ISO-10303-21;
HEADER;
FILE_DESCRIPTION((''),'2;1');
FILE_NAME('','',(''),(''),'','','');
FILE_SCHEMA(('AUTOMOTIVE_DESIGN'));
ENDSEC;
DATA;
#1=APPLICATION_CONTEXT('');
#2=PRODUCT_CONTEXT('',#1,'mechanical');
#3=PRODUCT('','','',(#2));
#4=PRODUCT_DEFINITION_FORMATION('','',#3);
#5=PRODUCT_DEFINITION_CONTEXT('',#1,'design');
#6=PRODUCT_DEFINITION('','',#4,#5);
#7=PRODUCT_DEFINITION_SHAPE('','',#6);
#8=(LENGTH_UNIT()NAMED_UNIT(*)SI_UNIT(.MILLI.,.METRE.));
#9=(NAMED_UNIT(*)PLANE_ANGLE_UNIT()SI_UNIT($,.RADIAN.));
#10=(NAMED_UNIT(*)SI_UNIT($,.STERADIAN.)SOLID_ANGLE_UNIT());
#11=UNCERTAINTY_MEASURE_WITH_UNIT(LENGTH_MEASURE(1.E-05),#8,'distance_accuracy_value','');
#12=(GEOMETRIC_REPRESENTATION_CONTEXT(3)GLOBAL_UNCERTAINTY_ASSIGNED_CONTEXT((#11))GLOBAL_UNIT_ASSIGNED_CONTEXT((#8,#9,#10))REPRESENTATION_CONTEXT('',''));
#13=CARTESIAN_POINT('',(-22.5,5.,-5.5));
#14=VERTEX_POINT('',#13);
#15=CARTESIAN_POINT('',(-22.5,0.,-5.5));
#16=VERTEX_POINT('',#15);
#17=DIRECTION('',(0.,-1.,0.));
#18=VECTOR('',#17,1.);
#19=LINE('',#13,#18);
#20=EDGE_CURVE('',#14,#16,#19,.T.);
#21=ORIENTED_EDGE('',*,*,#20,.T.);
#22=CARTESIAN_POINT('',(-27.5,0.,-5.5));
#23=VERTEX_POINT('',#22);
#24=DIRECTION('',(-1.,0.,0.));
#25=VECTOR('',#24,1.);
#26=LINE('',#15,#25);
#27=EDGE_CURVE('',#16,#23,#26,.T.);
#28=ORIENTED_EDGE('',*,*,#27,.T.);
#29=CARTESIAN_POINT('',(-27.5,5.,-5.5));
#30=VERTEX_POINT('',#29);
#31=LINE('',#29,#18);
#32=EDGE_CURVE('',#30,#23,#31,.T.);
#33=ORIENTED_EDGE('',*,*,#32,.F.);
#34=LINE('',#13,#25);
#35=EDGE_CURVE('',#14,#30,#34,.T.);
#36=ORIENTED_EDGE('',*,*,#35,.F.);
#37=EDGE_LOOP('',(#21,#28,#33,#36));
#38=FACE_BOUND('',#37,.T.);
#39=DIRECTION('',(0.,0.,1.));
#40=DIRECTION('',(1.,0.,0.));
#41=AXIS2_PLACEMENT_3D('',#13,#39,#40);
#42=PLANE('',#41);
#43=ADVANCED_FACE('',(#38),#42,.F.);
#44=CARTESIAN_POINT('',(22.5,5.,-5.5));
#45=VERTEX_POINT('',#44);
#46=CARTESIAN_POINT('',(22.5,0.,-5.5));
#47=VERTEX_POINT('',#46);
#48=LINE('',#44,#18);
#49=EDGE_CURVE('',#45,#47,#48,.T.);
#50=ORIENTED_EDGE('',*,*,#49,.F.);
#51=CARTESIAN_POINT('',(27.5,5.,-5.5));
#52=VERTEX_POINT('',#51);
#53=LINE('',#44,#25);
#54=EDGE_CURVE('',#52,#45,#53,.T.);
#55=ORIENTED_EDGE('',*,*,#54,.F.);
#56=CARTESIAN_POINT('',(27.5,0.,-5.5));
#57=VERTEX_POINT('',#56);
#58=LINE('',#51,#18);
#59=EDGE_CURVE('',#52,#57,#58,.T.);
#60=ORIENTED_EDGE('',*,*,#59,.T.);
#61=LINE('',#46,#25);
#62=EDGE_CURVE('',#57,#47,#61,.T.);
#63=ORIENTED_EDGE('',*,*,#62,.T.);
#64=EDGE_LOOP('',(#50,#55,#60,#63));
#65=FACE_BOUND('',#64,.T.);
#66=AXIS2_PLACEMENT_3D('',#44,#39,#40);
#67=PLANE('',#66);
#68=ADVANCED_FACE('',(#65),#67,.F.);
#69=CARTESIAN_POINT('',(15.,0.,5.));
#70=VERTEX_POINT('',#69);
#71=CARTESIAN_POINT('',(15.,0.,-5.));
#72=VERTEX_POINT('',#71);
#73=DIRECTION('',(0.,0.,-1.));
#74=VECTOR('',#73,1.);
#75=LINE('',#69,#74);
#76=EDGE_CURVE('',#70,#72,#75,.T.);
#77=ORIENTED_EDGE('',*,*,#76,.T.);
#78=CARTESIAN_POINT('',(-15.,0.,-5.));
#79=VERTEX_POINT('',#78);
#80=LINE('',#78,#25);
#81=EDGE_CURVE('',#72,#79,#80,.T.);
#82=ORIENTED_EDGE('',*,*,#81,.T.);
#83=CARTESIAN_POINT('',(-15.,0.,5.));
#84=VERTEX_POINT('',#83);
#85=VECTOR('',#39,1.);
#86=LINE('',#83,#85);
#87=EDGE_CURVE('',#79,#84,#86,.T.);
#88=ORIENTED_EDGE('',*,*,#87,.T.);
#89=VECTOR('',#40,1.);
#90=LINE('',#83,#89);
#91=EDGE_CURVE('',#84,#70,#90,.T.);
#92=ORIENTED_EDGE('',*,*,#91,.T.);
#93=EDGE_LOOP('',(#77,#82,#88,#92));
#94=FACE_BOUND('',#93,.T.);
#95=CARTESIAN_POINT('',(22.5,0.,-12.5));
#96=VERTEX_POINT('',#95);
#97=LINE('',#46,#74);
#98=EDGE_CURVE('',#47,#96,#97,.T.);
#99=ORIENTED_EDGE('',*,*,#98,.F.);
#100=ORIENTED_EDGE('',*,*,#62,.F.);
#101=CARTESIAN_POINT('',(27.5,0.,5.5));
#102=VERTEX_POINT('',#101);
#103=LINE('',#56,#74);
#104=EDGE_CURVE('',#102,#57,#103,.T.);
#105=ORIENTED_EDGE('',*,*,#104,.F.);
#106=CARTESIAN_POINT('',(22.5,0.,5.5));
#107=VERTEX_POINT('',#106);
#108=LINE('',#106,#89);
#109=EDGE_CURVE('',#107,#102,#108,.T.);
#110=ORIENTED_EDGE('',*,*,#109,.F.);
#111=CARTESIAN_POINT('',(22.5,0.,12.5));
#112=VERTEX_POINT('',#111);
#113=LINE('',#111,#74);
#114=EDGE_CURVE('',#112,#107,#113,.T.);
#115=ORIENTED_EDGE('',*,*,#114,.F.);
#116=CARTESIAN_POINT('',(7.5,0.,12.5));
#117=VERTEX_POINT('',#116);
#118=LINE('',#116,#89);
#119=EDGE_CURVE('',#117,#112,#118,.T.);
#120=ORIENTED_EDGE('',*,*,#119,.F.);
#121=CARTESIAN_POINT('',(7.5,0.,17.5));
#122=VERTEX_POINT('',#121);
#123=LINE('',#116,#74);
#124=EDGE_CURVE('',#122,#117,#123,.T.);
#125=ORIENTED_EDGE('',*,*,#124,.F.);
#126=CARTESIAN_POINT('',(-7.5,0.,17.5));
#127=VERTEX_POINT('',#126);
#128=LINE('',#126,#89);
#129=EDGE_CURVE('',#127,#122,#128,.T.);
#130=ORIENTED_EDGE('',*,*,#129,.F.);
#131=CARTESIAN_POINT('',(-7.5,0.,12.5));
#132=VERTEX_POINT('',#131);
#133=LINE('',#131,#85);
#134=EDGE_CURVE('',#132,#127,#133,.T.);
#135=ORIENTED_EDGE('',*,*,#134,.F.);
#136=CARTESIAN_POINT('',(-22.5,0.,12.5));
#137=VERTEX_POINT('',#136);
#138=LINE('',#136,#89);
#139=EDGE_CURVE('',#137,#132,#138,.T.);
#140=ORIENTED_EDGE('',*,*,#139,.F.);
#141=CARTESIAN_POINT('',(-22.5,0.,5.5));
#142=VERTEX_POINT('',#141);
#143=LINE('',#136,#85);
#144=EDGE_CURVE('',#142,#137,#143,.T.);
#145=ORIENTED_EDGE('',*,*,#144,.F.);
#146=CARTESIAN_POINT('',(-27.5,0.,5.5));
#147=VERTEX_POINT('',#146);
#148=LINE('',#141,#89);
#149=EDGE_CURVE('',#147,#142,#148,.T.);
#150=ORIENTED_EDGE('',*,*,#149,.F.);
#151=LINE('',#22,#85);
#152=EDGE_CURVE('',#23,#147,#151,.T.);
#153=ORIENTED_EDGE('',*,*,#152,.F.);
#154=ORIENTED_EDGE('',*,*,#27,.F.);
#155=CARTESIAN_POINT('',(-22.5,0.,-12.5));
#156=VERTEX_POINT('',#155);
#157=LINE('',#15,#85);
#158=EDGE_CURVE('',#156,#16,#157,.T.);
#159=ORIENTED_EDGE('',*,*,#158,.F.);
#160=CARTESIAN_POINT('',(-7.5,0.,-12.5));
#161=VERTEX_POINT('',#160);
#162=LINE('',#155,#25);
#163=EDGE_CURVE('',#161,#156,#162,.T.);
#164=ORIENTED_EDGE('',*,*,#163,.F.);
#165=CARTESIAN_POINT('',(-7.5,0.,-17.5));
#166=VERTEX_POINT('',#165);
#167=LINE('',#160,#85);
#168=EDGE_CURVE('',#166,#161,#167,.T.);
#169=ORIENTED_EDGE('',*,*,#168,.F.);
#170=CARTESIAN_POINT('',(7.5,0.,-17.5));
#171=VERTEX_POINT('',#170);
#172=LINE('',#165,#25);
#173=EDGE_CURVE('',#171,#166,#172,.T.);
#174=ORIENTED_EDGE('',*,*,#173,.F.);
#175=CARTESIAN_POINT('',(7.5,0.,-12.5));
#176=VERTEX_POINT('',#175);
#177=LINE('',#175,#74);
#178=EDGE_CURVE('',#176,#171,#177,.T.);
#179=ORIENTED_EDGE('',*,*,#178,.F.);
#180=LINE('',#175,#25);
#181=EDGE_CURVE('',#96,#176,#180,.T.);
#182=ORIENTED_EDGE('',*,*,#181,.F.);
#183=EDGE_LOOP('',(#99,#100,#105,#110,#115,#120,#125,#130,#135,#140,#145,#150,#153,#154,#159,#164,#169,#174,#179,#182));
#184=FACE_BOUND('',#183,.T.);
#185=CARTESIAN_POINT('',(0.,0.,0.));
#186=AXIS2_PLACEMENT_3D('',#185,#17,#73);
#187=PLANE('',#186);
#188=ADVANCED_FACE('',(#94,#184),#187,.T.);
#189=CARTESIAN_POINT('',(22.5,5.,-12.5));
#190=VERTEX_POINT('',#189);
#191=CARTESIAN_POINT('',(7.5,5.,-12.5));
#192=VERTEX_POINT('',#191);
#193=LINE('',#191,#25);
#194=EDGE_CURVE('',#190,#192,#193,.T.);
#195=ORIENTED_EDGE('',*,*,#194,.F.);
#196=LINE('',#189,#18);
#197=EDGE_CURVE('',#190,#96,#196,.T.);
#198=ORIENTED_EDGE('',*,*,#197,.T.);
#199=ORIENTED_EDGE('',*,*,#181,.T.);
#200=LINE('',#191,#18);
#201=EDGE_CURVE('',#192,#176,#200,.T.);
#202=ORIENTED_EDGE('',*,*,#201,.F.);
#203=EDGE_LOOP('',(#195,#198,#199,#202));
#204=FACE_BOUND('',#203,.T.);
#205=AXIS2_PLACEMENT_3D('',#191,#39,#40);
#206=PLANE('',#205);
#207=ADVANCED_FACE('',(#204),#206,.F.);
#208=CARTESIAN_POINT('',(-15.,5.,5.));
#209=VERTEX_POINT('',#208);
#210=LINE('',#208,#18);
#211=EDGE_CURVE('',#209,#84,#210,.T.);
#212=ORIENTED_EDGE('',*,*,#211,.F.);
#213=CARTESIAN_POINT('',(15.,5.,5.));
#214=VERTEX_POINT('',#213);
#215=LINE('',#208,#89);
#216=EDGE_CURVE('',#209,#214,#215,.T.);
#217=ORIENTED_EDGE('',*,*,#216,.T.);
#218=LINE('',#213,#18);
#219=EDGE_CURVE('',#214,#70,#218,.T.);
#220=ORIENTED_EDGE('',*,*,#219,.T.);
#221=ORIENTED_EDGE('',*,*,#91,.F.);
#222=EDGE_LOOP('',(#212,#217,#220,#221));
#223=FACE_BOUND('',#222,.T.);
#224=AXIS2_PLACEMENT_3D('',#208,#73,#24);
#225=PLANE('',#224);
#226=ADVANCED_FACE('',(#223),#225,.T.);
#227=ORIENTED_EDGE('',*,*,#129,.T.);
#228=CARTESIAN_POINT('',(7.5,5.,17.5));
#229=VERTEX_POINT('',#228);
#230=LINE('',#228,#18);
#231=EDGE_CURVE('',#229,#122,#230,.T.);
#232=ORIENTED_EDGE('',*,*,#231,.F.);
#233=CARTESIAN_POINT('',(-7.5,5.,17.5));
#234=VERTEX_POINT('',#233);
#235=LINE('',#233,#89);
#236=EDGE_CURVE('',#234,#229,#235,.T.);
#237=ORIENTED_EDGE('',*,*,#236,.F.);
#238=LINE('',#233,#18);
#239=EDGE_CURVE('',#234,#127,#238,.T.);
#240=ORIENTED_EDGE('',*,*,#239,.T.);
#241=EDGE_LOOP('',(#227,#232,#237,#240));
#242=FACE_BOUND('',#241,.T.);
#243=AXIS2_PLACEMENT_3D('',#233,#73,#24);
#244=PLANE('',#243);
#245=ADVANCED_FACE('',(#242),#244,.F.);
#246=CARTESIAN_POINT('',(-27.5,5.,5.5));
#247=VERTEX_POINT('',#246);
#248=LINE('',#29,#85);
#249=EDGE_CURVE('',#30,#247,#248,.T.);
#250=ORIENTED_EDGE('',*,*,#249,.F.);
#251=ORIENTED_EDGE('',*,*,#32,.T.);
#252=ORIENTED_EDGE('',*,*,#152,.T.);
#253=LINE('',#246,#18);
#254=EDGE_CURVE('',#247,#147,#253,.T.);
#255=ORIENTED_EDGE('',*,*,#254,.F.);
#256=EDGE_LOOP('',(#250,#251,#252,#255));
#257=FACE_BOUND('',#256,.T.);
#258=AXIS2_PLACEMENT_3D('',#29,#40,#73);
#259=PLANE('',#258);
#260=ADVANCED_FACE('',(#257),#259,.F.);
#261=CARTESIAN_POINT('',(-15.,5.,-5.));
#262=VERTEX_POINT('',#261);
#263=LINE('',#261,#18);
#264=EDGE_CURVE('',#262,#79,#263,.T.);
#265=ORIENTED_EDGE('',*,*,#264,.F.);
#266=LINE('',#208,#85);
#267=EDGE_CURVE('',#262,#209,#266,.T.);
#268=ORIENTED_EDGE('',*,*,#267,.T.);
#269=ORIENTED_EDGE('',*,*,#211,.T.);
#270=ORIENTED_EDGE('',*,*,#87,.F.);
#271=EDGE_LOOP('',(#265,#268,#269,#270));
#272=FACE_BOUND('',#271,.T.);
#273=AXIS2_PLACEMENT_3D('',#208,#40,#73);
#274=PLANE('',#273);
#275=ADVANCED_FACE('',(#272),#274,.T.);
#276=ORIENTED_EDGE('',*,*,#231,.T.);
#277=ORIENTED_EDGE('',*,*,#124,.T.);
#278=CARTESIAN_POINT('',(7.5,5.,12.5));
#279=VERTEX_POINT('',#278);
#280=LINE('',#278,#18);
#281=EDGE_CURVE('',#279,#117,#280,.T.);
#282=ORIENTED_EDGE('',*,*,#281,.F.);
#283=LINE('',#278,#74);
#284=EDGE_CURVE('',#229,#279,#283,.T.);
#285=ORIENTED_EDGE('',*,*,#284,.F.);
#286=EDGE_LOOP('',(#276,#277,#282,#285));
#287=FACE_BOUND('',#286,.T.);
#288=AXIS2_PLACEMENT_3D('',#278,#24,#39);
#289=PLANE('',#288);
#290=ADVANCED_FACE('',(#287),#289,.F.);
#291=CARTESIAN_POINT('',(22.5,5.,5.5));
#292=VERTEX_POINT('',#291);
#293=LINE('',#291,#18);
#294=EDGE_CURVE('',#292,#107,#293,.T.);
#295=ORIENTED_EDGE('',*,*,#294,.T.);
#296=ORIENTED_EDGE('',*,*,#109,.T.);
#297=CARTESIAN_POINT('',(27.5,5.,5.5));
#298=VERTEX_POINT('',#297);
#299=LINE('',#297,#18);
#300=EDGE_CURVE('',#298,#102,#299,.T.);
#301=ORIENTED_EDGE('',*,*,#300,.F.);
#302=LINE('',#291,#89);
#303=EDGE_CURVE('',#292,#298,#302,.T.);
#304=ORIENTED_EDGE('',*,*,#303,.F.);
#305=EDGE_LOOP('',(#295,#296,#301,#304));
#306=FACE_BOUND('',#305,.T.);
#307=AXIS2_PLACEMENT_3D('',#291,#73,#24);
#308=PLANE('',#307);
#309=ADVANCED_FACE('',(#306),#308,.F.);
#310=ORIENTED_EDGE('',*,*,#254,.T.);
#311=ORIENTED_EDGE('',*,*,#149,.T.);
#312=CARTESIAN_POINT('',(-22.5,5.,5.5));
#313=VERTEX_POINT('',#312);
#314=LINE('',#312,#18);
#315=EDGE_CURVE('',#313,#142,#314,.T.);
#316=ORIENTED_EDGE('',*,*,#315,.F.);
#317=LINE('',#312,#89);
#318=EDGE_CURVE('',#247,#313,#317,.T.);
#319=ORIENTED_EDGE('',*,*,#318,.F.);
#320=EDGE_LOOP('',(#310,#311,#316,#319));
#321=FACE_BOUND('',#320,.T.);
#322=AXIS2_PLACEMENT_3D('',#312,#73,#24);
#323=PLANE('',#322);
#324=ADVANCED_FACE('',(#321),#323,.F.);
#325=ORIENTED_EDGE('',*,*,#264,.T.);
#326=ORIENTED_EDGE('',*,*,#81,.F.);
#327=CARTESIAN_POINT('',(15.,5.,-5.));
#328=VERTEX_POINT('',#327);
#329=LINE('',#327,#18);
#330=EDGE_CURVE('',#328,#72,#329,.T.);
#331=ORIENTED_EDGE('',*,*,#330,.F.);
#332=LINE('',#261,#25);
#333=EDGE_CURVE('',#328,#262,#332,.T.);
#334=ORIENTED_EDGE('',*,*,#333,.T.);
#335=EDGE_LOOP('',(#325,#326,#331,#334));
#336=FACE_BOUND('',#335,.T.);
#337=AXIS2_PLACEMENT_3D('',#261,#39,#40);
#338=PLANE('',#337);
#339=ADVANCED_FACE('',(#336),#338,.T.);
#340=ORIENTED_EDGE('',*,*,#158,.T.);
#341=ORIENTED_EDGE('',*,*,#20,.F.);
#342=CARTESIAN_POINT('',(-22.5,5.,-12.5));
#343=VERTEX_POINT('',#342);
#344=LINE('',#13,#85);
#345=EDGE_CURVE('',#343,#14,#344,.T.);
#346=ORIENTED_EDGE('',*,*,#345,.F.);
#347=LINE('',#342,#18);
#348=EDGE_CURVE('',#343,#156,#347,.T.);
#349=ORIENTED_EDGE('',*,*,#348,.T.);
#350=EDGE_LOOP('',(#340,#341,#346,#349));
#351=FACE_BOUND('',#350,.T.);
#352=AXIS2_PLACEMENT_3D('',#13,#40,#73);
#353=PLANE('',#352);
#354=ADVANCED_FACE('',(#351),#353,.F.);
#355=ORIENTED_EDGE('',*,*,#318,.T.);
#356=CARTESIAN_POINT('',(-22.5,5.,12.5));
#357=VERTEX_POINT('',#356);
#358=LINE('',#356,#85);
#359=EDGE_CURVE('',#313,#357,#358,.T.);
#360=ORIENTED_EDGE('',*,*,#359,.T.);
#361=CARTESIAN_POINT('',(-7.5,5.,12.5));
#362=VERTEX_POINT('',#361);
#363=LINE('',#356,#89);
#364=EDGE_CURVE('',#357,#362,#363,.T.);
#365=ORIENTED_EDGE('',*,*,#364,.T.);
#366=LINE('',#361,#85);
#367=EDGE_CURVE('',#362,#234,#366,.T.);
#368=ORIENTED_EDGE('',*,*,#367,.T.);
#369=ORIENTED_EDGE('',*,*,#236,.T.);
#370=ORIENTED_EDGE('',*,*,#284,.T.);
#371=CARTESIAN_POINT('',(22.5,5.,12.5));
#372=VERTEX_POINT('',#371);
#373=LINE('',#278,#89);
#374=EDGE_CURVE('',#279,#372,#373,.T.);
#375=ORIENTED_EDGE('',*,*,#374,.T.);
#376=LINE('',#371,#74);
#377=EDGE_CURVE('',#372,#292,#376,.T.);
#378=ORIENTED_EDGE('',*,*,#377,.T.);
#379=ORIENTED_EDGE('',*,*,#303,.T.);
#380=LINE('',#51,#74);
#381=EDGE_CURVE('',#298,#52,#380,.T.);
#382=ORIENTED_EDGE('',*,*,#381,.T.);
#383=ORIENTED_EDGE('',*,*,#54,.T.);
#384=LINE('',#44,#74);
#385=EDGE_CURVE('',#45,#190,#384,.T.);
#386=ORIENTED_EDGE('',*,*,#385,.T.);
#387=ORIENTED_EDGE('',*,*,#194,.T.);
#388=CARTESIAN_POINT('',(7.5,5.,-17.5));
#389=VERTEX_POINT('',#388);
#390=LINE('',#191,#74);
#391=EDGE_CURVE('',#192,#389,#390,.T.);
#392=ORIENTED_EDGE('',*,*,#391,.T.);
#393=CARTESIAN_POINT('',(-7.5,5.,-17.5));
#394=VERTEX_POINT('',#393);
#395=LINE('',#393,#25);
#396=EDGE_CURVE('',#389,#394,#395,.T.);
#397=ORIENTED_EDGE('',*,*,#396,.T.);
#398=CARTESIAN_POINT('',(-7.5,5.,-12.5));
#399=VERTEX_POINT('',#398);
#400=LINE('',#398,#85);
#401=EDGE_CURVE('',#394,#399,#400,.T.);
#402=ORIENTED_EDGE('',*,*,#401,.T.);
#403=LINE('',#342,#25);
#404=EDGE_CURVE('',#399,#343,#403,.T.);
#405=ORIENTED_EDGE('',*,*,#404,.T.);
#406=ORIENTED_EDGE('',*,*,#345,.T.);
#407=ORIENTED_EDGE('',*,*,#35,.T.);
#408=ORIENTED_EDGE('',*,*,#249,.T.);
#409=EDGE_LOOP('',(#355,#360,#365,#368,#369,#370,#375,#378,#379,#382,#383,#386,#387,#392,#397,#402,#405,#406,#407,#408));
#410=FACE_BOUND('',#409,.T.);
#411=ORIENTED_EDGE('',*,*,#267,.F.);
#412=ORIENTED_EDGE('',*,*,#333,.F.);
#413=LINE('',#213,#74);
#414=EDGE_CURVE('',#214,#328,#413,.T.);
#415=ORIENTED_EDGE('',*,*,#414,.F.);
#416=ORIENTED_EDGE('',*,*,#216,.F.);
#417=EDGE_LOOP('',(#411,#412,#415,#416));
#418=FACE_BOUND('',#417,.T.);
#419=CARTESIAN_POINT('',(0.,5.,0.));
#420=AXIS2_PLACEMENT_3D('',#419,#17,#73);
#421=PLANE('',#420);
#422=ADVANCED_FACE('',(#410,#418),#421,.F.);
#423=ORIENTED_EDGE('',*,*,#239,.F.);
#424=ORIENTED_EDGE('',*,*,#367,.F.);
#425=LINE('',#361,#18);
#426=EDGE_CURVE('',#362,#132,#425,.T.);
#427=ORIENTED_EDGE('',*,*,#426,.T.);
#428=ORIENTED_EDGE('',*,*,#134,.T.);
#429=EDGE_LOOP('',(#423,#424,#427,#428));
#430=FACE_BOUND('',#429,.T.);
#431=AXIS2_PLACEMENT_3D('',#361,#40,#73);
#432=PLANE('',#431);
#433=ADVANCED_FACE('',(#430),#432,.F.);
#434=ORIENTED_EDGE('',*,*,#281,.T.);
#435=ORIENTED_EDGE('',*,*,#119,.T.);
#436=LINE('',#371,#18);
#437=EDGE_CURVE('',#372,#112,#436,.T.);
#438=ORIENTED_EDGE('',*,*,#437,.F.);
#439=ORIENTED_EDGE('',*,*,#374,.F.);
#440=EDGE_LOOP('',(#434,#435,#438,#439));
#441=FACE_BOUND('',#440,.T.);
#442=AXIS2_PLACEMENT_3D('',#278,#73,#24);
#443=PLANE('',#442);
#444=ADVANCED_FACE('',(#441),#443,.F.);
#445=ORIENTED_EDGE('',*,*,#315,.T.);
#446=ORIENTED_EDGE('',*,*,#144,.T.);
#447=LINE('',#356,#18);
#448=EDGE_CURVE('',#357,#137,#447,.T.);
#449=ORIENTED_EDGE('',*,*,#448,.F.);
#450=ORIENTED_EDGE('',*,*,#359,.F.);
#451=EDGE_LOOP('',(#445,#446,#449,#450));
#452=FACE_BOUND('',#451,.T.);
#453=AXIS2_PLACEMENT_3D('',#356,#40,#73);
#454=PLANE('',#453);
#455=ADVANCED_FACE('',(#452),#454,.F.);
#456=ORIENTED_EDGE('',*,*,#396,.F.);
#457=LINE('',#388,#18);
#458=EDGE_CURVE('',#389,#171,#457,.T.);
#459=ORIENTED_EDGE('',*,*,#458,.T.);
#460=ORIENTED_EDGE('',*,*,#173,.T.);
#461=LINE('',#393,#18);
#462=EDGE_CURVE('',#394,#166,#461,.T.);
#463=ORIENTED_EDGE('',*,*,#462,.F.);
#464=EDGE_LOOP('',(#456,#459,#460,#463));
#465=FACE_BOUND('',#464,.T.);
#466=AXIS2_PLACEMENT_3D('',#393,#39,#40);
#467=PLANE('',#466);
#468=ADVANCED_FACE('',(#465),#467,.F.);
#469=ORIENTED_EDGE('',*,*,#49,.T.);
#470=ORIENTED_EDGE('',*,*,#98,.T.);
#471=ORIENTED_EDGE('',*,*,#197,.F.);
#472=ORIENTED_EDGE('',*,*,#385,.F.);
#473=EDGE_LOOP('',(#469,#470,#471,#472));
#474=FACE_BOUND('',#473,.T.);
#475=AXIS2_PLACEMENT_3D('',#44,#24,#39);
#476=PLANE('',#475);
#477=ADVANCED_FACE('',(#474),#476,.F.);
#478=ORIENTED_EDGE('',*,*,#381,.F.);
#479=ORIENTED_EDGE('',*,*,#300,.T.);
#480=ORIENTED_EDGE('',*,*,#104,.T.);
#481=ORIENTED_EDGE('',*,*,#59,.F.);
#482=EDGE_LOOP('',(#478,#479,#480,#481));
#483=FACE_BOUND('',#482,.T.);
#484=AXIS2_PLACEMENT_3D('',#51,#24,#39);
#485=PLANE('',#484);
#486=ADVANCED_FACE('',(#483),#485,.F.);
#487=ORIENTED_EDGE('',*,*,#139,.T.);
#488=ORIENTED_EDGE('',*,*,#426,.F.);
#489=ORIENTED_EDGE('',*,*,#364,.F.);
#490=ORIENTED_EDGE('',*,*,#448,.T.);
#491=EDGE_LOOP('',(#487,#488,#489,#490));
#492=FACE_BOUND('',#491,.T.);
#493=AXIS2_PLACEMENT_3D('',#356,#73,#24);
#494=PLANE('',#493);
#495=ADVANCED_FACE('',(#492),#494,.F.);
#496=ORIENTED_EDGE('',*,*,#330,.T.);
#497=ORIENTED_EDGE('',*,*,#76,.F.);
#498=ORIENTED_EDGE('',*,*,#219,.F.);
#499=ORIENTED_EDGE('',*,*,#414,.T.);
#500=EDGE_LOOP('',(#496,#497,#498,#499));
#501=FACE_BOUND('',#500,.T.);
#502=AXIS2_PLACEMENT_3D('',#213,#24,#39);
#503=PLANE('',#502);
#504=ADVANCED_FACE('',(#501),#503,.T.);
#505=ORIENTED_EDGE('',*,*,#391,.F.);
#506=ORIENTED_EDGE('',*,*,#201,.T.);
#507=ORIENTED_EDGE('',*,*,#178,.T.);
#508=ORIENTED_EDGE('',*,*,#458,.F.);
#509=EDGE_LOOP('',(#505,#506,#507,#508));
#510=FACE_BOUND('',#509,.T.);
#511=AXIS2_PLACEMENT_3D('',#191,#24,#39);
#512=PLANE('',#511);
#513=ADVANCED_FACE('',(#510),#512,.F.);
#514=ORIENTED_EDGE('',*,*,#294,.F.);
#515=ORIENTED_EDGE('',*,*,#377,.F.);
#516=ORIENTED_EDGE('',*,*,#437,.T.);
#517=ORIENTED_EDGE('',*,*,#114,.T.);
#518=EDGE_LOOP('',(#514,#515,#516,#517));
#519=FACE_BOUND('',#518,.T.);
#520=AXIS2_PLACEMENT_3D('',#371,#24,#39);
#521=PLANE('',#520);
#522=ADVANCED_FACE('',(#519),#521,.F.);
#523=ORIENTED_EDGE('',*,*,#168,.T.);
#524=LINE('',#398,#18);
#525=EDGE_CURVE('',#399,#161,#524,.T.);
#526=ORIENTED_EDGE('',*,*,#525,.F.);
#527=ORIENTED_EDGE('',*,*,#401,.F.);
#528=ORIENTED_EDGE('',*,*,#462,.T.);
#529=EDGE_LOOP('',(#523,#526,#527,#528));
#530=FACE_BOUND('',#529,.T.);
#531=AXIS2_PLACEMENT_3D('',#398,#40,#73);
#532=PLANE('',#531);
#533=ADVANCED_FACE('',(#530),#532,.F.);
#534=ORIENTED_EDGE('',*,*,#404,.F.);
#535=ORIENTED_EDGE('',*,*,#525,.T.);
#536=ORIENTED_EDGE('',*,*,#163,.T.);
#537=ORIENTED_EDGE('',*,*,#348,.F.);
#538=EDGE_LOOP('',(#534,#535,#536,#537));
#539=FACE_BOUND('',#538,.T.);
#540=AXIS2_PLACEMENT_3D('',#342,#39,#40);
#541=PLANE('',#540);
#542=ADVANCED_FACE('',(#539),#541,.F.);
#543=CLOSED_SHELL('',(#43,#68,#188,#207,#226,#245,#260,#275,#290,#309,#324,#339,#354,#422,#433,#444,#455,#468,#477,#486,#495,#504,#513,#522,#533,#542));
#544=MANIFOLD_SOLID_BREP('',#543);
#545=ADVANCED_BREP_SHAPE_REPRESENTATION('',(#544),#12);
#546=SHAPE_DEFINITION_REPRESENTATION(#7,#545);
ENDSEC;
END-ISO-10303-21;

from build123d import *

# Parameters (mm, degrees)
SKETCH1_W           = 30
SKETCH1_H           = 10
BOSS_EXTRUDE1_DEPTH = 5


with BuildPart() as part:
    # Sketch1 → Boss-Extrude1 (new body)
    with BuildSketch(Plane(origin=(0, 0, 0), x_dir=(1, 0, 0), z_dir=(0, 1, 0))):
        Polygon((-22.5, -12.5), (-7.5, -12.5), (-7.5, -17.5), (7.5, -17.5), (7.5, -12.5), (22.5, -12.5), (22.5, -5.5), (27.5, -5.5), (27.5, 5.5), (22.5, 5.5), (22.5, 12.5), (7.5, 12.5), (7.5, 17.5), (-7.5, 17.5), (-7.5, 12.5), (-22.5, 12.5), (-22.5, 5.5), (-27.5, 5.5), (-27.5, -5.5), (-22.5, -5.5), align=None)
        Rectangle(SKETCH1_W, SKETCH1_H, mode=Mode.SUBTRACT)
    extrude(amount=BOSS_EXTRUDE1_DEPTH)


solid = part.part
